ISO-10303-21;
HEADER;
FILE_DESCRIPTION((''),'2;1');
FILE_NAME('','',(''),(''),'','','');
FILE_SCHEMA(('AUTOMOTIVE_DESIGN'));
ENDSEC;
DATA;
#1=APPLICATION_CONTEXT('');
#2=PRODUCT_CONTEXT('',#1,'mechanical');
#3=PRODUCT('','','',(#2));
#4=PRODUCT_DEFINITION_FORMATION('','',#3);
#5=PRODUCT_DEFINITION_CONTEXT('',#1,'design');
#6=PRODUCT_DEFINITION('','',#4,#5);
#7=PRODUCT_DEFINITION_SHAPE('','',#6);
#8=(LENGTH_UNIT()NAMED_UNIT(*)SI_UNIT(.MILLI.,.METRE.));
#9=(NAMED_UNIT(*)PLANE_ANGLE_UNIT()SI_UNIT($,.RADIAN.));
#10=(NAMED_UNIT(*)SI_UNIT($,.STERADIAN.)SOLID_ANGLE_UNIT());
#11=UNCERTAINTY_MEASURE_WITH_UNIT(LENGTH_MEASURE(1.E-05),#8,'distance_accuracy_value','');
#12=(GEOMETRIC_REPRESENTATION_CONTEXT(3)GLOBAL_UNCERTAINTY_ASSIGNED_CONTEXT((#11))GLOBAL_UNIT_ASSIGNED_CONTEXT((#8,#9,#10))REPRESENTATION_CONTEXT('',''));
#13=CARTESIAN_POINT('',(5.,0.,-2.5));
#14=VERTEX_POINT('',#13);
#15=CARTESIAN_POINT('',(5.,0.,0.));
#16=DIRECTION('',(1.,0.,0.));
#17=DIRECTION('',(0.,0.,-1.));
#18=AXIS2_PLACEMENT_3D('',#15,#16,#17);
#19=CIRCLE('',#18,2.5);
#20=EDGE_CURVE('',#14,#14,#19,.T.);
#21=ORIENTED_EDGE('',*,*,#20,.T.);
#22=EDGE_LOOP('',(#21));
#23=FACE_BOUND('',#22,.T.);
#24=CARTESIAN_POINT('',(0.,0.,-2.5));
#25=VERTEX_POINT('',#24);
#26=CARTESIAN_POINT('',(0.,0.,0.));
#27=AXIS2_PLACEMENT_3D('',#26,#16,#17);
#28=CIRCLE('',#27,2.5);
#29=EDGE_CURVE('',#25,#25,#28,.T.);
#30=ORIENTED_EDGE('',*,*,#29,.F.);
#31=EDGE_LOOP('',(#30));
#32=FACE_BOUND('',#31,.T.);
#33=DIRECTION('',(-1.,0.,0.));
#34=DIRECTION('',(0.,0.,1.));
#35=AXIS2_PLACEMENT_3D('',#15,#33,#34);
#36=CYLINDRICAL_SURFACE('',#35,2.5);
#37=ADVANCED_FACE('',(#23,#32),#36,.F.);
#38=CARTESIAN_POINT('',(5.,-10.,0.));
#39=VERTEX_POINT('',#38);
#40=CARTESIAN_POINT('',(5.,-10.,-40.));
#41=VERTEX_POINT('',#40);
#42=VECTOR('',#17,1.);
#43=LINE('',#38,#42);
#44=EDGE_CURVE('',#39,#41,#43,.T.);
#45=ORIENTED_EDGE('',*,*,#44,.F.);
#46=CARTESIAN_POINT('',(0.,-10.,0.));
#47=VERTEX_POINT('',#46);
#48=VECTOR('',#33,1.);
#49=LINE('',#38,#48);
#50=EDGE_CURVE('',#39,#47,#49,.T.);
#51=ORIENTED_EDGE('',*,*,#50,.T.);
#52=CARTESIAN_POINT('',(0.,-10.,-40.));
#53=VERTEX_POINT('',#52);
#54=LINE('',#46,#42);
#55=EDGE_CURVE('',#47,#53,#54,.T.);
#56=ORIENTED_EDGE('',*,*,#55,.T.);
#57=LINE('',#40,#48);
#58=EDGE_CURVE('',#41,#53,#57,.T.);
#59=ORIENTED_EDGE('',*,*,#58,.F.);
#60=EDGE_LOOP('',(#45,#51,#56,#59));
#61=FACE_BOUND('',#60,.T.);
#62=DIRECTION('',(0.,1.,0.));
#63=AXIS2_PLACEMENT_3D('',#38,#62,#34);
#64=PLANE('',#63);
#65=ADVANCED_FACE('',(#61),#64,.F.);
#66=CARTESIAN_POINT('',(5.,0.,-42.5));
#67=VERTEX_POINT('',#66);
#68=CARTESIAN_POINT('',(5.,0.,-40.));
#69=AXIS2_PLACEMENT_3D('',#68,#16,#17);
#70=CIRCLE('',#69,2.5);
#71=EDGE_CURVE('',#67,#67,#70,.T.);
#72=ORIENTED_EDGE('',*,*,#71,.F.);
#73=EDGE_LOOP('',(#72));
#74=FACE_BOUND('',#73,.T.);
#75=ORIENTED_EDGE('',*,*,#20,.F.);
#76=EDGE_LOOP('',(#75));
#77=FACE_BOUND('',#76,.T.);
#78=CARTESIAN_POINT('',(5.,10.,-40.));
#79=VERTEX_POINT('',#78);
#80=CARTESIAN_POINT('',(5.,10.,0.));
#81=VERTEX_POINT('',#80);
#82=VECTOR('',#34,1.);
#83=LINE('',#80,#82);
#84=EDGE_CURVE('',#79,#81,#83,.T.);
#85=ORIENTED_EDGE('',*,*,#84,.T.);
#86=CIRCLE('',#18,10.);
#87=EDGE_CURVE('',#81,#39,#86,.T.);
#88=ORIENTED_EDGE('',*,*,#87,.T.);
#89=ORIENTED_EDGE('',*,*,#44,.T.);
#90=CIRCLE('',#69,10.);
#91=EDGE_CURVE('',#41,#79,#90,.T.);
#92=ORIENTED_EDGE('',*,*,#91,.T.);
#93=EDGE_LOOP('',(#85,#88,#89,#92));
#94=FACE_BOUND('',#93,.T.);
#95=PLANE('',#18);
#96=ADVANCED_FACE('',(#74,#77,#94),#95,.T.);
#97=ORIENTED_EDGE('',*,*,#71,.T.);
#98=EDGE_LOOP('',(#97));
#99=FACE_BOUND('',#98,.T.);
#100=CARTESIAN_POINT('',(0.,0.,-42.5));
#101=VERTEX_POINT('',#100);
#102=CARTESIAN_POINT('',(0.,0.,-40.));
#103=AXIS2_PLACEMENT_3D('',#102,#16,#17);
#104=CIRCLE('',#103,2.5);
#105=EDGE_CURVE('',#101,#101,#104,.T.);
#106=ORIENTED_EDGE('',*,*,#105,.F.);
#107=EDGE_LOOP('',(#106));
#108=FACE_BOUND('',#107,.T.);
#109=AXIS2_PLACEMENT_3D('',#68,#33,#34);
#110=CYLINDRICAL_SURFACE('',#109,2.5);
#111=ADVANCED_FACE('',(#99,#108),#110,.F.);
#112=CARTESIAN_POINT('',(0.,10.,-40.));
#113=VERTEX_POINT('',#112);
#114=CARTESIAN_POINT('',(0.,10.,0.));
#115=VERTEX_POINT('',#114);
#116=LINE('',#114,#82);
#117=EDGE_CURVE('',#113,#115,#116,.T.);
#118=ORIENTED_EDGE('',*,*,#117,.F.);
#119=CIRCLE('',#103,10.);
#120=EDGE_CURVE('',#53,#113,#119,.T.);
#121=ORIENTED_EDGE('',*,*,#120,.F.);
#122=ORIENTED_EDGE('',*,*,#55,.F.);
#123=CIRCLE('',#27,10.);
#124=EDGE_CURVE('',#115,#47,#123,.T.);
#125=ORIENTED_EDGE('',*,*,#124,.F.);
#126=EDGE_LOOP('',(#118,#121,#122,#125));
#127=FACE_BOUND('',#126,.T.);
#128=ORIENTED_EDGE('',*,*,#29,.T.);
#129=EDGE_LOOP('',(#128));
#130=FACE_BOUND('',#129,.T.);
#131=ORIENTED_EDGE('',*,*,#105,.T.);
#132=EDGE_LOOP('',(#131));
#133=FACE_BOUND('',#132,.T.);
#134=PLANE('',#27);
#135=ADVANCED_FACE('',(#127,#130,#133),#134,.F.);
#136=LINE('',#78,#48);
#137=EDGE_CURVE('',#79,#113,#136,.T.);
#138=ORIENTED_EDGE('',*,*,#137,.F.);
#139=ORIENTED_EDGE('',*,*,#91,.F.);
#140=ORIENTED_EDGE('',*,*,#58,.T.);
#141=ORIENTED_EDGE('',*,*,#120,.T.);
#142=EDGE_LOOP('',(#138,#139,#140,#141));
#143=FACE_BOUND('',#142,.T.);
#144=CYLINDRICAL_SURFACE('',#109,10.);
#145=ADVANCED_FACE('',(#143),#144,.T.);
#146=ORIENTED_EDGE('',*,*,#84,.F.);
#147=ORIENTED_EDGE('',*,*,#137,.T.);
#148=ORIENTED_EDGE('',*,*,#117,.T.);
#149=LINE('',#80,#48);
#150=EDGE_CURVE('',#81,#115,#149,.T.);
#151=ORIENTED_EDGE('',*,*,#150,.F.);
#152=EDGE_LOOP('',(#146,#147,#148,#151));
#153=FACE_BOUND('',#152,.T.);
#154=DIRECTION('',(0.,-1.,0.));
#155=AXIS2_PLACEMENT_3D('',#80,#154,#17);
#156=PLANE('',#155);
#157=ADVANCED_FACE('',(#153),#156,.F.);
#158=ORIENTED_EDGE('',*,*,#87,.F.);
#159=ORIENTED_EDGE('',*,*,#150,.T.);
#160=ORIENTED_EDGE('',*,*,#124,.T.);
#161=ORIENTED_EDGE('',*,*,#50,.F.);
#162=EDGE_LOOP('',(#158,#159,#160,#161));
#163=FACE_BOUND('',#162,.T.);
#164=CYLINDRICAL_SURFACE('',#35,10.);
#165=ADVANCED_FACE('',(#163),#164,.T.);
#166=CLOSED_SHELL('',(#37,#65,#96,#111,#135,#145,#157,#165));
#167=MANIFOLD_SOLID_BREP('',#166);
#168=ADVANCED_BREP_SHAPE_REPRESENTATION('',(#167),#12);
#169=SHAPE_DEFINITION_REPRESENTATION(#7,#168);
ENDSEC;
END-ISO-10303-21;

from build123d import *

# Parameters (mm, degrees)
SKETCH1_R           = 2.5
BOSS_EXTRUDE1_DEPTH = 5


with BuildPart() as part:
    # Sketch1 → Boss-Extrude1 (new body)
    with BuildSketch(Plane(origin=(0, 0, 0), x_dir=(0, 0, -1), z_dir=(1, 0, 0))):
        with BuildLine():
            Line((0, 10), (40, 10))
            ThreePointArc((40, 10), (50, 0), (40, -10))
            Line((40, -10), (0, -10))
            ThreePointArc((0, -10), (-10, 0), (0, 10))
        make_face()
        Circle(SKETCH1_R, mode=Mode.SUBTRACT)
        with Locations((40, 0)):
            Circle(SKETCH1_R, mode=Mode.SUBTRACT)
    extrude(amount=BOSS_EXTRUDE1_DEPTH)


solid = part.part
